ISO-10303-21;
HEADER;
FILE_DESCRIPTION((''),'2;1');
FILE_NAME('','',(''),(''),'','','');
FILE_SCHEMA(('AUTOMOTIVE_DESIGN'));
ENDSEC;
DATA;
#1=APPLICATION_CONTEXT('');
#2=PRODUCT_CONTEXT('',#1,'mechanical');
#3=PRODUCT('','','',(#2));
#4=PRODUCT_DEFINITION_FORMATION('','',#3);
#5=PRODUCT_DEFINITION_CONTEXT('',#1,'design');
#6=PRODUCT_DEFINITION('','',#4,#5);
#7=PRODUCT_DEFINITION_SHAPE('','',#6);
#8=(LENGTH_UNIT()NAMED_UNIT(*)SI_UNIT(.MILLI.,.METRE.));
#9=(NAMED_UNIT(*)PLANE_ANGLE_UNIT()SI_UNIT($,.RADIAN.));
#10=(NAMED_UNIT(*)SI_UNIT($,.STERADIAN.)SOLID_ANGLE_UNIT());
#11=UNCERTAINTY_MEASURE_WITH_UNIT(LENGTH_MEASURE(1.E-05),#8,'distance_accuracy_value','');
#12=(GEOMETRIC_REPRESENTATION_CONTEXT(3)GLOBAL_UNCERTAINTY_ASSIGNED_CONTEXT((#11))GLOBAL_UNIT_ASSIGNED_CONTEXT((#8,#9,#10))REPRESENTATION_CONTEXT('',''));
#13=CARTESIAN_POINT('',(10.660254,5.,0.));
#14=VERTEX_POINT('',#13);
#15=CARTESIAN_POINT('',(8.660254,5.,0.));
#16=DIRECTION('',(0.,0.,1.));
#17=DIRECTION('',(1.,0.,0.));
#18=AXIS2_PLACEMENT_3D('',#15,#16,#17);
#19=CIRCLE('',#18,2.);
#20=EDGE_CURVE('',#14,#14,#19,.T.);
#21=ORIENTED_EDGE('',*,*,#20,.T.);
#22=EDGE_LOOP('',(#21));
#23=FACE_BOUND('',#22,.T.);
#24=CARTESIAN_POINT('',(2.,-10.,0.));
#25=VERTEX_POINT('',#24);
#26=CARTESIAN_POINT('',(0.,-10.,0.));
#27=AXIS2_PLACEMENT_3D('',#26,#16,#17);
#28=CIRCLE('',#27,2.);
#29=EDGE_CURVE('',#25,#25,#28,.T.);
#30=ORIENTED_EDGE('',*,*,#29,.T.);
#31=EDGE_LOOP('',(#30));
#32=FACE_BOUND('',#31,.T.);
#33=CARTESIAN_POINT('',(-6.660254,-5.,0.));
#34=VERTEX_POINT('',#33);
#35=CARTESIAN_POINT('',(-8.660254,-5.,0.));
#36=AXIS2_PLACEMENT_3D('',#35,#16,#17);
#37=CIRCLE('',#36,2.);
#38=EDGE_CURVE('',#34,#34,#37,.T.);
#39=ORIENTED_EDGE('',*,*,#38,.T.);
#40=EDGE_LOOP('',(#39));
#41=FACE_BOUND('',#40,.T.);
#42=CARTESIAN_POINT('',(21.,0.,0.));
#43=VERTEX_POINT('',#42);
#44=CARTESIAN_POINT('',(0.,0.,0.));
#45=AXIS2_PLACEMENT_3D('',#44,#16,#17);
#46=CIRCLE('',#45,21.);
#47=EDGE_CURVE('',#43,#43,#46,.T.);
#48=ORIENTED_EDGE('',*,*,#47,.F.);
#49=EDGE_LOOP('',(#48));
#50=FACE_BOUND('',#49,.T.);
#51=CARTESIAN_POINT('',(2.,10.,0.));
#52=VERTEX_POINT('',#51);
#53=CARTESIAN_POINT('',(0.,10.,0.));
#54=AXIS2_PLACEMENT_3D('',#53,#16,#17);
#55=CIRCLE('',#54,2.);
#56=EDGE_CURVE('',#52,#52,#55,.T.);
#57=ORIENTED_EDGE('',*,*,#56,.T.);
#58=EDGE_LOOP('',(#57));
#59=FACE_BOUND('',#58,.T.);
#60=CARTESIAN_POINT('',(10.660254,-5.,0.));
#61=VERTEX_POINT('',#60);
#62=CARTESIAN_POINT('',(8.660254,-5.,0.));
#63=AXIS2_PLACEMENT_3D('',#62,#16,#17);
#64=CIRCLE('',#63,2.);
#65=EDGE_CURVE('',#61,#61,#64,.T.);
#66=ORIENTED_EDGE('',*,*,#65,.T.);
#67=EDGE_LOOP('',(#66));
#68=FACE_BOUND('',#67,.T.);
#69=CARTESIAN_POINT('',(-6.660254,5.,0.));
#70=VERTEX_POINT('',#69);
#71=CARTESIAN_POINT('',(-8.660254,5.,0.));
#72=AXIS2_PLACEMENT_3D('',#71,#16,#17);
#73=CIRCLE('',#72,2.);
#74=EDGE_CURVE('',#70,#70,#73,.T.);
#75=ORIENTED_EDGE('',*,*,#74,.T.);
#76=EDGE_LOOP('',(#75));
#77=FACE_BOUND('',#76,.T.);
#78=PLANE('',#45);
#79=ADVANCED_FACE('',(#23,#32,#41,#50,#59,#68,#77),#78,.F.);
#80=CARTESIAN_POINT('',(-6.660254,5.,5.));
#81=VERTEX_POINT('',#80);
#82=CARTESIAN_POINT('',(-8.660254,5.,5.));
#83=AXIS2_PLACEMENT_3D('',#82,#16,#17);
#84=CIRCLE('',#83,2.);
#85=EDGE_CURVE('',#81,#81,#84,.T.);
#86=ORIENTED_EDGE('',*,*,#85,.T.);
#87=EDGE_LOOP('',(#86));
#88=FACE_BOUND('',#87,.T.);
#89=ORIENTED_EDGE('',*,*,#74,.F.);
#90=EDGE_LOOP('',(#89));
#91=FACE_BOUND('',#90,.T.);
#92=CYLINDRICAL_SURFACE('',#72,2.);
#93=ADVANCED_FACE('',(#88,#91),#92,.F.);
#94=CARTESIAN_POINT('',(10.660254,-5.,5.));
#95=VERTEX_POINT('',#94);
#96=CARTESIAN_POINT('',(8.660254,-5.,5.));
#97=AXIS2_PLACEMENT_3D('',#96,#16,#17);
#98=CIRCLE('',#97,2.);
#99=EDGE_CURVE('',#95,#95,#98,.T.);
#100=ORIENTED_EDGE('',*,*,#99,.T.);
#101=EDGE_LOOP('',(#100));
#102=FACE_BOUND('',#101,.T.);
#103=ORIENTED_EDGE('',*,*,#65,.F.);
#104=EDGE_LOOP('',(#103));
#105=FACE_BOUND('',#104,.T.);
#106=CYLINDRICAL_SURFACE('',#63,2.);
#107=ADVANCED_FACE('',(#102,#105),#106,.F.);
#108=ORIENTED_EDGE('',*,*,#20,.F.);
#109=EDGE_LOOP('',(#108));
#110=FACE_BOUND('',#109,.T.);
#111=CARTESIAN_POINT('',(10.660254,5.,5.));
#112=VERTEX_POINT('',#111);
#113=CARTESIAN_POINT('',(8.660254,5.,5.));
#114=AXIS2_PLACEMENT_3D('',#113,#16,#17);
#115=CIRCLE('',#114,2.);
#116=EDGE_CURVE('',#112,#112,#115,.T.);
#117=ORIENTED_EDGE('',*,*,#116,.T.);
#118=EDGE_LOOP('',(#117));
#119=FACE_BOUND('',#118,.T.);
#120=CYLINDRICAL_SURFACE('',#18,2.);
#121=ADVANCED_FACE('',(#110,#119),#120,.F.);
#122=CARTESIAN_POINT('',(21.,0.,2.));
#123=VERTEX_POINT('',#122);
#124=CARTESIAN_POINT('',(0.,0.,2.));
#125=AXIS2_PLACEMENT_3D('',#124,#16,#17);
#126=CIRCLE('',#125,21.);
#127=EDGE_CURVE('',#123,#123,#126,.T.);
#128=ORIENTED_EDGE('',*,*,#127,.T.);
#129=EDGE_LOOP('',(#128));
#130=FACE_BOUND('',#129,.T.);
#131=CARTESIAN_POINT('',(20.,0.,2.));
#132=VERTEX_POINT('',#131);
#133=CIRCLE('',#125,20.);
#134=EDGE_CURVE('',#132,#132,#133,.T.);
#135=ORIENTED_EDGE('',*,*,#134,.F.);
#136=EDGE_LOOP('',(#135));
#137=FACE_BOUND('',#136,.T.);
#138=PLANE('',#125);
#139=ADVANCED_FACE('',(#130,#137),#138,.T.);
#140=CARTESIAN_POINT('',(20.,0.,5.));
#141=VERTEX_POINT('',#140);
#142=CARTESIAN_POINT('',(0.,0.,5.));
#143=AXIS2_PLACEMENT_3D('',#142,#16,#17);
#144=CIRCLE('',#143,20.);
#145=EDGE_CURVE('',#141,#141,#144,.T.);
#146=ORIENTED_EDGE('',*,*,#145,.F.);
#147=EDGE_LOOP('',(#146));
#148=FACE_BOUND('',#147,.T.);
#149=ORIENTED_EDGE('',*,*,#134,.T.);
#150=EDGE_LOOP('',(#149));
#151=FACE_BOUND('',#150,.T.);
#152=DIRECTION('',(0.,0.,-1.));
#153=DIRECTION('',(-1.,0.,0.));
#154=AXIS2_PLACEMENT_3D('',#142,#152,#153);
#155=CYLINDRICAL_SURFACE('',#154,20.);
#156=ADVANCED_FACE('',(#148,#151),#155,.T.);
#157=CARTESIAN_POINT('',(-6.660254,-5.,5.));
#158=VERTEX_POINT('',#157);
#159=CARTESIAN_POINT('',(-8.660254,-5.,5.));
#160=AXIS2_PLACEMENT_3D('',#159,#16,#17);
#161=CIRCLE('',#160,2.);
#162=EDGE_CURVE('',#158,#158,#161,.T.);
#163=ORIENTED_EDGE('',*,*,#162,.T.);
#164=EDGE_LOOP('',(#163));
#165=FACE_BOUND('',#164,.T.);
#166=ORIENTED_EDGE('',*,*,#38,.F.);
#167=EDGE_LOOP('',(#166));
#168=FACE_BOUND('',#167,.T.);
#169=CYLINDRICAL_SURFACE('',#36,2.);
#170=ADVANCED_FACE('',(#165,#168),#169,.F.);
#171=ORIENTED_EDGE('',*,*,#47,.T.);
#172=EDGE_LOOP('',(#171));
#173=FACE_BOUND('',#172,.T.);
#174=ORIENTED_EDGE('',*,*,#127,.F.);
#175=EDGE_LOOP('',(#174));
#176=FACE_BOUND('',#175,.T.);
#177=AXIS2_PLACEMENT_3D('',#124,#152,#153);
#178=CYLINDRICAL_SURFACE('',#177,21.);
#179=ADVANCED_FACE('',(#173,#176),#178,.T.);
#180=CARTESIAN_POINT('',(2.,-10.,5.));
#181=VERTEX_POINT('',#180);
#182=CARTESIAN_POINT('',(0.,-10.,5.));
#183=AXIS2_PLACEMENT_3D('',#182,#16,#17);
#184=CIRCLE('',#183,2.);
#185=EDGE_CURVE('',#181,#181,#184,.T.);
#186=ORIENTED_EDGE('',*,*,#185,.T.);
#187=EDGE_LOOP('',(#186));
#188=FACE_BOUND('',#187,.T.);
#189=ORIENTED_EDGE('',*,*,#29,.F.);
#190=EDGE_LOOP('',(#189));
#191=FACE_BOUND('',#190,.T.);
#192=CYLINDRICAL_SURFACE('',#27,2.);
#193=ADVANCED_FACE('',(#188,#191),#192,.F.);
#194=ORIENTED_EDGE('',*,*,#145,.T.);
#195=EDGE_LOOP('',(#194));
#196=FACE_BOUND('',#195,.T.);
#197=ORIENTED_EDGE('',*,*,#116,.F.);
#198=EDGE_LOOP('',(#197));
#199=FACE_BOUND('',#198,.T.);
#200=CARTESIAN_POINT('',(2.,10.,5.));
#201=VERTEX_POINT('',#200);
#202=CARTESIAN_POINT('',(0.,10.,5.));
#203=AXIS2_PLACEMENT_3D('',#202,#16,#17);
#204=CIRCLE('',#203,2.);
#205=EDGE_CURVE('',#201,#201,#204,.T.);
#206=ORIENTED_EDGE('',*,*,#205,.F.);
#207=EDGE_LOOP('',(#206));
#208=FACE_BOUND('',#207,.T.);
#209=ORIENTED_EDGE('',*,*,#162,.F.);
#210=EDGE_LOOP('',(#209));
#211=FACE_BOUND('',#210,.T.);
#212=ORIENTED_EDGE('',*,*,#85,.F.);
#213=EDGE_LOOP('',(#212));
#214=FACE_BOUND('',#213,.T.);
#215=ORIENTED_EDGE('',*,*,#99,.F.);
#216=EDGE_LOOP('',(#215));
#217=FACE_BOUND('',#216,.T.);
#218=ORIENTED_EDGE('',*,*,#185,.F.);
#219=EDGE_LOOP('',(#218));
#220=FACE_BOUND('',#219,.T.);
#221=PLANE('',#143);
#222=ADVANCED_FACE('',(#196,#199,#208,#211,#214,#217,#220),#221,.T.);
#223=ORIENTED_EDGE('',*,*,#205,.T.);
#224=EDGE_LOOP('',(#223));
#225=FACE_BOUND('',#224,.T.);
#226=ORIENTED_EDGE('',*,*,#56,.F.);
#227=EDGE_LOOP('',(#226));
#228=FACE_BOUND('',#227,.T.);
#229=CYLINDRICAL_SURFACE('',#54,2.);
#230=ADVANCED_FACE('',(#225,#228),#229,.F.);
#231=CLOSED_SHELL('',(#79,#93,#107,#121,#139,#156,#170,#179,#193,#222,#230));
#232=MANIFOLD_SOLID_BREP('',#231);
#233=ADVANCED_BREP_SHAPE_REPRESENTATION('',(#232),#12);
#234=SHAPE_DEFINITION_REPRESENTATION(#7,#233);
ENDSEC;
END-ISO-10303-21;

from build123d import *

# Parameters (mm, degrees)
SKETCH_1_R          = 21
EXTRUDE_1_DEPTH     = 2
SKETCH_2_R          = 20
EXTRUDE_2_DEPTH     = 3
SKETCH_3_R          = 2
CUT_EXTRUDE_1_DEPTH = 31.116440693


with BuildPart() as part:
    # 草图1 → 凸台-拉伸1 (new body)
    with BuildSketch(Plane.XY):
        Circle(SKETCH_1_R)
    extrude(amount=EXTRUDE_1_DEPTH)

    # 草图2 → 凸台-拉伸2 (add)
    with BuildSketch(Plane.XY.offset(2)):
        Circle(SKETCH_2_R)
    extrude(amount=EXTRUDE_2_DEPTH)

    # 草图3 → 切除-拉伸1 (cut, through all)
    with BuildSketch(Plane.XY.offset(5)):
        with Locations((0, 10)):
            Circle(SKETCH_3_R)
        with Locations((8.660254038, 5)):
            Circle(SKETCH_3_R)
        with Locations((8.660254038, -5)):
            Circle(SKETCH_3_R)
        with Locations((0, -10)):
            Circle(SKETCH_3_R)
        with Locations((-8.660254038, -5)):
            Circle(SKETCH_3_R)
        with Locations((-8.660254038, 5)):
            Circle(SKETCH_3_R)
    extrude(amount=-CUT_EXTRUDE_1_DEPTH, mode=Mode.SUBTRACT)


solid = part.part
